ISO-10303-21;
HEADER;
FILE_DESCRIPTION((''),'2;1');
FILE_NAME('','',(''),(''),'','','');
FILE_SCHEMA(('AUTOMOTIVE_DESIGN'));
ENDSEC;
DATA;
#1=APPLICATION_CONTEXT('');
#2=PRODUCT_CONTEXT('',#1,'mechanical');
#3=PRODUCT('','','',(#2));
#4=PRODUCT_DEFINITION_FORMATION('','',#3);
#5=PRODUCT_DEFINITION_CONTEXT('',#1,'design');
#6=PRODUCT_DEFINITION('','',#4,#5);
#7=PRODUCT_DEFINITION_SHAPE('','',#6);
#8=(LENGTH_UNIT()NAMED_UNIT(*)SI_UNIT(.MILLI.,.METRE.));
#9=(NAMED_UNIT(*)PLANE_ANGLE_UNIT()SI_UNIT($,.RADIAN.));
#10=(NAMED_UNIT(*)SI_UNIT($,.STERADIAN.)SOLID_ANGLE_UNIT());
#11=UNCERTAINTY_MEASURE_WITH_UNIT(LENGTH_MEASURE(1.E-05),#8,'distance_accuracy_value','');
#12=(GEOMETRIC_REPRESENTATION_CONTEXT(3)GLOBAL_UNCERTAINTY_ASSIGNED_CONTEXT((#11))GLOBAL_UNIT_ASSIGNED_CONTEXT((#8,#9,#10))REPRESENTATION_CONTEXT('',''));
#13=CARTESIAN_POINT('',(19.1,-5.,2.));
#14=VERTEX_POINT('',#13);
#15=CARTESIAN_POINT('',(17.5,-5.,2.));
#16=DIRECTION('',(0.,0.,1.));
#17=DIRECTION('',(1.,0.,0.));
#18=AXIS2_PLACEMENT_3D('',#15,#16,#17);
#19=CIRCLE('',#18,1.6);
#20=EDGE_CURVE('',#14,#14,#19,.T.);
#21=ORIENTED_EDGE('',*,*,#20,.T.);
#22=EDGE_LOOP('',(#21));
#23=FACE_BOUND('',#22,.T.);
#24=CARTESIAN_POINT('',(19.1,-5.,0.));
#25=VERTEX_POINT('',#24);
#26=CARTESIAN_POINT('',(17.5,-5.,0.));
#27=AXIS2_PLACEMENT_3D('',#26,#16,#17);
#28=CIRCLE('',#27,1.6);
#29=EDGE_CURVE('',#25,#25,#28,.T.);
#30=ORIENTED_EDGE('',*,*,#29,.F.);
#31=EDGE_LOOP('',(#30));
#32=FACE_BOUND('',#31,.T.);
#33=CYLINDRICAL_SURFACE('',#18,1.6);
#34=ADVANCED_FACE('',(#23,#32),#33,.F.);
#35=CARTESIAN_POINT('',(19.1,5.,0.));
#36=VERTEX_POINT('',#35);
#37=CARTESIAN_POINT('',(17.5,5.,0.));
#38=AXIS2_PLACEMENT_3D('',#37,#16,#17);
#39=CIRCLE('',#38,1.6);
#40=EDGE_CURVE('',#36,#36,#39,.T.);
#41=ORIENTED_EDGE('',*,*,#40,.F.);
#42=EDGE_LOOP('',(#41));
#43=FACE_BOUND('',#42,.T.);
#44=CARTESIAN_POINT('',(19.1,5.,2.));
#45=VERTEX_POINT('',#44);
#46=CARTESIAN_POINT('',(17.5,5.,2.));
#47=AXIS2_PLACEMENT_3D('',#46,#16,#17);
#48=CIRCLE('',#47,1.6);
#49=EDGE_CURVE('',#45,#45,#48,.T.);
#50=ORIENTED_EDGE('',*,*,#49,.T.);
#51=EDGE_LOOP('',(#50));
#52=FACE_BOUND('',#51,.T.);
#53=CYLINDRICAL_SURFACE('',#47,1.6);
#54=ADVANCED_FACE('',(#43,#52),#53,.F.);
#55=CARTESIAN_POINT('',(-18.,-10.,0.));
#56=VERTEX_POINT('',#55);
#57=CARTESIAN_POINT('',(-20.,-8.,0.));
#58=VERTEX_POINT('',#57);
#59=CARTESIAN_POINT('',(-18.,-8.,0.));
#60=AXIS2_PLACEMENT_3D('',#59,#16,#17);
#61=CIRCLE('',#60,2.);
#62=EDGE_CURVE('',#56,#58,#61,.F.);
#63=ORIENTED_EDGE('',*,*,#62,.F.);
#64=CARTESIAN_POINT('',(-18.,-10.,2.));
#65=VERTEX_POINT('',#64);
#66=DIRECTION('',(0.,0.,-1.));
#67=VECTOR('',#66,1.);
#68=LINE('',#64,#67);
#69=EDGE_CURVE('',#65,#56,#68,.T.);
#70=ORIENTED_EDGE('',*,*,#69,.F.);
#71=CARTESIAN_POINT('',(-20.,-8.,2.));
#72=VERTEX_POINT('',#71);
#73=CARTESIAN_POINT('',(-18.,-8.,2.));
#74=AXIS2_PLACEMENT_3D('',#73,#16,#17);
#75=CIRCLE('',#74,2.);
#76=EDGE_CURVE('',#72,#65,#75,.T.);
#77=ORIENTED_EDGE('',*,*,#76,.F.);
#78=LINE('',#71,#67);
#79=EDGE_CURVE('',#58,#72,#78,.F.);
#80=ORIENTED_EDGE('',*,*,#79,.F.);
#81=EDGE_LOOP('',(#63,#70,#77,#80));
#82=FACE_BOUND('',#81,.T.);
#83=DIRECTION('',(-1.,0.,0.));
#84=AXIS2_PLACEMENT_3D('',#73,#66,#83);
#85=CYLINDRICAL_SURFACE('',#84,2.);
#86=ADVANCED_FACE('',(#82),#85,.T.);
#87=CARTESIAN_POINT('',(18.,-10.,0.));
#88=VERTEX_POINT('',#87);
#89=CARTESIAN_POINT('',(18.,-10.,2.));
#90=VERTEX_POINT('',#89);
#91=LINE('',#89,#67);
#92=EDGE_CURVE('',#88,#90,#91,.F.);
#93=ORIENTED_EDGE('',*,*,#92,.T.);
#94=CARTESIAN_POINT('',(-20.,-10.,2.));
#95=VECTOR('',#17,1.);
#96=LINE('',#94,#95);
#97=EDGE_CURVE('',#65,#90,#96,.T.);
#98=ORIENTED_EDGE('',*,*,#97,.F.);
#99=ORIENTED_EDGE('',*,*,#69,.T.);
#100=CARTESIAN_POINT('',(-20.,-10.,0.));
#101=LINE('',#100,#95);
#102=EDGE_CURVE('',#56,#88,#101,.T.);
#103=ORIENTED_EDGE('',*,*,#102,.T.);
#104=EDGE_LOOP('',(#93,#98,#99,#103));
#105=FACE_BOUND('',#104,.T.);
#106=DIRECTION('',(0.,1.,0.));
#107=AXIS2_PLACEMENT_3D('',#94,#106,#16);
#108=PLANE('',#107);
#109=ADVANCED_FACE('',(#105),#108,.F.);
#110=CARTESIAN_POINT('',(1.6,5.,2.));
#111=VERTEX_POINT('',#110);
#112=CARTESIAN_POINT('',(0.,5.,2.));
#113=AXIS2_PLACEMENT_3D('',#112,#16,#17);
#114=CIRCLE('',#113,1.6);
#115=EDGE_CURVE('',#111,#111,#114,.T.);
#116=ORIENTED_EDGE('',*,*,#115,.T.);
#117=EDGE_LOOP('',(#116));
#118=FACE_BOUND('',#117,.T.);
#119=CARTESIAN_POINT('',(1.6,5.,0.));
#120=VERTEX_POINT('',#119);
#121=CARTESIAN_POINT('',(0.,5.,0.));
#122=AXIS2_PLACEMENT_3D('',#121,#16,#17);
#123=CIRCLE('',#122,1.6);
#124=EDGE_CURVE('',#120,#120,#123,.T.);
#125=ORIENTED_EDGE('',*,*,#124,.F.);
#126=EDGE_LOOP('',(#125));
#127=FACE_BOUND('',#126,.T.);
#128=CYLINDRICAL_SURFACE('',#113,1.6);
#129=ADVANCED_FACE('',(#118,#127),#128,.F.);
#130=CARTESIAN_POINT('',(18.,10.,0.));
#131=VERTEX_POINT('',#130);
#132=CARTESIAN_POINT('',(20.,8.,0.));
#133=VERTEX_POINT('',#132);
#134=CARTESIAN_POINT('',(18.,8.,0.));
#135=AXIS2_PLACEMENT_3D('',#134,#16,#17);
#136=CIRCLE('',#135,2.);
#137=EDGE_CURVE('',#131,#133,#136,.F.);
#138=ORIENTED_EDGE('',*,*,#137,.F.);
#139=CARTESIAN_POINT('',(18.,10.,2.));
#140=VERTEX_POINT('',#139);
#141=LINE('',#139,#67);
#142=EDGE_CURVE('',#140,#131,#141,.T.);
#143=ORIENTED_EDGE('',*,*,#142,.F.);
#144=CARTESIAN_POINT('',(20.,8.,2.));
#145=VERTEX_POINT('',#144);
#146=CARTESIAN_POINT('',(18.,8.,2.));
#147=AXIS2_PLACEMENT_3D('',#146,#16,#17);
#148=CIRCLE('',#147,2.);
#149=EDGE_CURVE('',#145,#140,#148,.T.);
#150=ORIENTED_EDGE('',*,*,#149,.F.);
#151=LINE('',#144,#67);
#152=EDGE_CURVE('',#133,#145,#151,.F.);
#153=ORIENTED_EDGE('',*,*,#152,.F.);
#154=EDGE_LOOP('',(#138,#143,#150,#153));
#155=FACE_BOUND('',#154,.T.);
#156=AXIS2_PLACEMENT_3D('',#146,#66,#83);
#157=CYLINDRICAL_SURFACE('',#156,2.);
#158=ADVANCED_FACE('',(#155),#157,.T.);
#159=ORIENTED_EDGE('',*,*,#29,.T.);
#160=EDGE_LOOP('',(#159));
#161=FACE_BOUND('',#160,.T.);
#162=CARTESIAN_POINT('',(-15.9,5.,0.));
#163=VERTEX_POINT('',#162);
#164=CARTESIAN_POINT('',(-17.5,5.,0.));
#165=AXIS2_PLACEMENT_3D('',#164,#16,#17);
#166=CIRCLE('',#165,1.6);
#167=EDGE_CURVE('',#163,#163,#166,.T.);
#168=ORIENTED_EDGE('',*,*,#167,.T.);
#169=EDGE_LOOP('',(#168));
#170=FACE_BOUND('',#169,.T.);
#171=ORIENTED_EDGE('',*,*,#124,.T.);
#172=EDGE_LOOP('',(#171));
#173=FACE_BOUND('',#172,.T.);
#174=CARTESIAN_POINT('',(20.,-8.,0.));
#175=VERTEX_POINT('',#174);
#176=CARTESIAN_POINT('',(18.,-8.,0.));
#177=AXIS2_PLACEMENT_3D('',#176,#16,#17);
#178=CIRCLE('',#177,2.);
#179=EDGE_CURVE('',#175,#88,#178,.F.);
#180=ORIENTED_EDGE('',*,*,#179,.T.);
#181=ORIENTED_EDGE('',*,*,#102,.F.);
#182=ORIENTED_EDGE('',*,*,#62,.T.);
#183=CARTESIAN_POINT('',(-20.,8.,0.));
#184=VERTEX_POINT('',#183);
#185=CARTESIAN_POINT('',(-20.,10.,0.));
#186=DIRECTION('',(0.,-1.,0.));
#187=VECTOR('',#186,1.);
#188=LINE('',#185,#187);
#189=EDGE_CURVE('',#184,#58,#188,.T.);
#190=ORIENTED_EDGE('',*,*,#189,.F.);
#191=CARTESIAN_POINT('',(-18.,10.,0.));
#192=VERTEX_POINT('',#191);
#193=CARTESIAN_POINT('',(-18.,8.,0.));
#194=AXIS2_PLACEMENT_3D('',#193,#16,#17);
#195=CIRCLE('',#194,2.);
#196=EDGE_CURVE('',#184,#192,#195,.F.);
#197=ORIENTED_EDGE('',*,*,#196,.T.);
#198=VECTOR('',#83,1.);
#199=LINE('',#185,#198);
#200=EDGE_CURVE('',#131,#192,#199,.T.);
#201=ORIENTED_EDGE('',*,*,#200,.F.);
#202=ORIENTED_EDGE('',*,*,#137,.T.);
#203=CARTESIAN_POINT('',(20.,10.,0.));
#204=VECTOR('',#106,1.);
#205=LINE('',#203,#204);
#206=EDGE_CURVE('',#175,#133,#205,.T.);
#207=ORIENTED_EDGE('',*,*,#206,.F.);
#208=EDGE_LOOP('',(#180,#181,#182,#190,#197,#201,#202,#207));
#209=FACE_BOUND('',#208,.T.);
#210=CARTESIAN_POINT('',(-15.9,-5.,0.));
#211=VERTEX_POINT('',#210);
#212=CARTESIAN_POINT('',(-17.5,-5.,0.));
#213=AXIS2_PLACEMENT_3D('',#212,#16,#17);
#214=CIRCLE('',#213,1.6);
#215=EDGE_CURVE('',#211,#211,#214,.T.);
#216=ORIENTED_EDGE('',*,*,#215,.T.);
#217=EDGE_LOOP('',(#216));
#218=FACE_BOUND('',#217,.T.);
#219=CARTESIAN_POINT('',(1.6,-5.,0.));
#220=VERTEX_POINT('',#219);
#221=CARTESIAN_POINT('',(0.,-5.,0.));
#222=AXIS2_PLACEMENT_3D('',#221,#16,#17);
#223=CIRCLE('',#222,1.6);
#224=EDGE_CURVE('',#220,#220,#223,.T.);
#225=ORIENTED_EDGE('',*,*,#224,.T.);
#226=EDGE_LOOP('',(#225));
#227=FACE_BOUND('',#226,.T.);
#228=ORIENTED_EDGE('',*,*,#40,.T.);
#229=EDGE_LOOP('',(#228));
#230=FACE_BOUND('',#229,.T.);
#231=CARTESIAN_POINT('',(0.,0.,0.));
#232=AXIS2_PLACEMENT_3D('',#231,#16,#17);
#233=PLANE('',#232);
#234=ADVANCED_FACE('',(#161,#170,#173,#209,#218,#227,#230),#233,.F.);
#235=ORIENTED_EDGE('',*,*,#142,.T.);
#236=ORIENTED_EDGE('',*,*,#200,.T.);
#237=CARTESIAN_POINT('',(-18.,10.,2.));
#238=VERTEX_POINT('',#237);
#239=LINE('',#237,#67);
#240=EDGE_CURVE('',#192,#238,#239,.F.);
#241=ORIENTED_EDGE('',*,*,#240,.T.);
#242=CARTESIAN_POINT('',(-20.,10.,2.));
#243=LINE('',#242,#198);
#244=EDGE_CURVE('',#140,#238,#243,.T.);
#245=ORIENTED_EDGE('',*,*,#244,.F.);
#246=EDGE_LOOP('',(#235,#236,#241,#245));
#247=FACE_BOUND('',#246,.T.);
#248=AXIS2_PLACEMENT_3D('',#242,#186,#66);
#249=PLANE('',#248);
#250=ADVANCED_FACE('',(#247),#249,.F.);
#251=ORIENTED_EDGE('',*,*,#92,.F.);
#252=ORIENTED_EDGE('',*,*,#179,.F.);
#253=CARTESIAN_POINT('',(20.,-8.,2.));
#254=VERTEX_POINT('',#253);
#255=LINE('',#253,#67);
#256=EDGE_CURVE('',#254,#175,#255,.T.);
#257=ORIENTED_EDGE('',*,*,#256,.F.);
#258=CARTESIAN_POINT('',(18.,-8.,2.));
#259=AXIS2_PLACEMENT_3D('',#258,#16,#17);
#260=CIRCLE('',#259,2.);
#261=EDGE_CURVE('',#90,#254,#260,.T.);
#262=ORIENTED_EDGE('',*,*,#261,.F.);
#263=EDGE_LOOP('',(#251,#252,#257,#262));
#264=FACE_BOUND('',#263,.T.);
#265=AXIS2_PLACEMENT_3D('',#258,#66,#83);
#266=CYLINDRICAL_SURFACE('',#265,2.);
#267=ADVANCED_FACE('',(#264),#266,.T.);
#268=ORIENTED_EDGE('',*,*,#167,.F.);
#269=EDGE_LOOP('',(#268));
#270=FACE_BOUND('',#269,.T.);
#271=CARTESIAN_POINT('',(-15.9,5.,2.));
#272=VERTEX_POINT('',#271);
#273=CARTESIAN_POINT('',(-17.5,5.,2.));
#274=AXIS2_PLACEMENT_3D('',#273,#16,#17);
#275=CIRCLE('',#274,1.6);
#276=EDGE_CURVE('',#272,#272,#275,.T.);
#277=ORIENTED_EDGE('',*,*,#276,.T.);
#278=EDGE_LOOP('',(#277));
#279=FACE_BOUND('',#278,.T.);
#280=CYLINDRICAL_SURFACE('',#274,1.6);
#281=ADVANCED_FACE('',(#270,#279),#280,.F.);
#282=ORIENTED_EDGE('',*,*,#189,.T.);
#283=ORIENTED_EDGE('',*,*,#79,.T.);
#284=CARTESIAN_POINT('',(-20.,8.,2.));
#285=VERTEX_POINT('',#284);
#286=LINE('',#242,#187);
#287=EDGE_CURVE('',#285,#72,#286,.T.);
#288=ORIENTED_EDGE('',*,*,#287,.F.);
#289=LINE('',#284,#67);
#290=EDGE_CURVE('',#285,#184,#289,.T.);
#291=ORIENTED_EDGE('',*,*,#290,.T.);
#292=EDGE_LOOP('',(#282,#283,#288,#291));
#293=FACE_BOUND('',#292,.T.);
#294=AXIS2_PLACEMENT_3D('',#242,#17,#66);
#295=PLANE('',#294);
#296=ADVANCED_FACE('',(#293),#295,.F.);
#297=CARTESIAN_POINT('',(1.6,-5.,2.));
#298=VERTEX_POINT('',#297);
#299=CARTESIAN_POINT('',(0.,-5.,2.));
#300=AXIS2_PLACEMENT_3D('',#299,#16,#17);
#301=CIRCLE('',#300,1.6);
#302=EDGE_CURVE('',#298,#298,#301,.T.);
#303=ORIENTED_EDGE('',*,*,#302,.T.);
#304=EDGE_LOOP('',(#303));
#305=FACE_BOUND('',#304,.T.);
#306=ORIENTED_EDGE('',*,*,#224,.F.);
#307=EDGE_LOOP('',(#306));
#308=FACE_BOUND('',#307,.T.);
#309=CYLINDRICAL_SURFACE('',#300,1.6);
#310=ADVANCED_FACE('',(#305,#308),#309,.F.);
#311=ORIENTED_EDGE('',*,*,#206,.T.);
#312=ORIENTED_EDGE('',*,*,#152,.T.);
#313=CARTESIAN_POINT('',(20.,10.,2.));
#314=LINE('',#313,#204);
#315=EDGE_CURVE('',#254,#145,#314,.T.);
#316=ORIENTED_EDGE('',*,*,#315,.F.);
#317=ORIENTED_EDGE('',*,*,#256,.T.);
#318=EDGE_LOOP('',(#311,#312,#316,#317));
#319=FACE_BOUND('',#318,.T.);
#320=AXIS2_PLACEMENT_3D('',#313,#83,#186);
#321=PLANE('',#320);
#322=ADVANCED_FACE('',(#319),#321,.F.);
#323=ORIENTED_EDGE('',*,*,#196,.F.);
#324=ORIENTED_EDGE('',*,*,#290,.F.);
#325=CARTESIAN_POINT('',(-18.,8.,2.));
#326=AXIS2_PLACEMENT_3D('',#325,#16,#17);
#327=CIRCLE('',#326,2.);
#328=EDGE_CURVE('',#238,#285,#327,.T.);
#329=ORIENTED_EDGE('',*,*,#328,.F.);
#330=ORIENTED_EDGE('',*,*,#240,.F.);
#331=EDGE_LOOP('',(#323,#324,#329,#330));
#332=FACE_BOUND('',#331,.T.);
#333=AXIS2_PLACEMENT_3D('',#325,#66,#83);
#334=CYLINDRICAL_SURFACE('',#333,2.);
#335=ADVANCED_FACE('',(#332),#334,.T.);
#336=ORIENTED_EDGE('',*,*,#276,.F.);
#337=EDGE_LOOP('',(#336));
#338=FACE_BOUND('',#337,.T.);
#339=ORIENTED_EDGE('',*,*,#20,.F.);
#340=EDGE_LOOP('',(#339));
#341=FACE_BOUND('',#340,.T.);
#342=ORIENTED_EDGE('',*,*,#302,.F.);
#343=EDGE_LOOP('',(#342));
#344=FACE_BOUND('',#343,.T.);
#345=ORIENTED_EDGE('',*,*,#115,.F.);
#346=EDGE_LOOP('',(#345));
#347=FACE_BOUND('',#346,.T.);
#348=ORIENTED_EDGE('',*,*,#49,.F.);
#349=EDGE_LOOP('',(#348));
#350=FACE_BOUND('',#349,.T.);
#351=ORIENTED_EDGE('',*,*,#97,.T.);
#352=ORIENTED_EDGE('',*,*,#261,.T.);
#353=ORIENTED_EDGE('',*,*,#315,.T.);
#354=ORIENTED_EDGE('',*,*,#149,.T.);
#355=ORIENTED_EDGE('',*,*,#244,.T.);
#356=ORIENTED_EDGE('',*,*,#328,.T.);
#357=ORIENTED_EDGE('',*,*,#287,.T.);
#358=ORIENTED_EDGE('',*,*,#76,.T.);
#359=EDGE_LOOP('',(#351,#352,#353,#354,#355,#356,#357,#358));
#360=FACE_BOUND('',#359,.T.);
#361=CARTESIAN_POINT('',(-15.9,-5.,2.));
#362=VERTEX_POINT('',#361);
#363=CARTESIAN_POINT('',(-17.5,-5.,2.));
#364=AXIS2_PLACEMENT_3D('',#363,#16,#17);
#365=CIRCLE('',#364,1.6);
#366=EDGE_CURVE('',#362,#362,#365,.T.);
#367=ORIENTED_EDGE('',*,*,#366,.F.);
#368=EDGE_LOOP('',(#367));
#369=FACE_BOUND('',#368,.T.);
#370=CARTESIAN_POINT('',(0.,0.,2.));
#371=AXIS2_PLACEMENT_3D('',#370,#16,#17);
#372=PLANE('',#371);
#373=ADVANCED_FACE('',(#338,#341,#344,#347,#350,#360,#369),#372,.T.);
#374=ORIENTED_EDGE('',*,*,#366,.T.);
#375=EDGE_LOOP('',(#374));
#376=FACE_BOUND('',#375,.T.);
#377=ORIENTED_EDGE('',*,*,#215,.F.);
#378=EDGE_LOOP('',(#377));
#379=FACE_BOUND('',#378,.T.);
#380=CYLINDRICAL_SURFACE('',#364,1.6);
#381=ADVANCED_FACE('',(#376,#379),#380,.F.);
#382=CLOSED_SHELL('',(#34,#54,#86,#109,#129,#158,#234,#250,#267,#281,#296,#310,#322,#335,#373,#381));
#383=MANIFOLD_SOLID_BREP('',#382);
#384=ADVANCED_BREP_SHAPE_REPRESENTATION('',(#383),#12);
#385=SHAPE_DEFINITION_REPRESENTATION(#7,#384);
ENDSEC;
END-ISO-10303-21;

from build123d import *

# Parameters (mm, degrees)
SKETCH1_W            = 40
SKETCH1_H            = 20
BOSS_EXTRUDE1_DEPTH  = 2
M3_CLEARANCE_HOLE1_D = 3.2
FILLET1_R            = 2


with BuildPart() as part:
    # Sketch1 → Boss-Extrude1 (new body)
    with BuildSketch(Plane.XY):
        Rectangle(SKETCH1_W, SKETCH1_H)
    extrude(amount=BOSS_EXTRUDE1_DEPTH)

    # M3 Clearance Hole1 (through all)
    with Locations(Plane.XY.offset(2)):
        with Locations((17.5, -5), (-17.5, 5), (-17.5, -5), (17.5, 5), (0, 5), (0, -5)):
            Hole(M3_CLEARANCE_HOLE1_D / 2)

    # Fillet1
    fillet1_edges = [part.edges().sort_by_distance(p)[0] for p in [
        (20, -10, 1),
        (-20, -10, 1),
        (-20, 10, 1),
        (20, 10, 1),
    ]]
    fillet(fillet1_edges, radius=FILLET1_R)


solid = part.part
